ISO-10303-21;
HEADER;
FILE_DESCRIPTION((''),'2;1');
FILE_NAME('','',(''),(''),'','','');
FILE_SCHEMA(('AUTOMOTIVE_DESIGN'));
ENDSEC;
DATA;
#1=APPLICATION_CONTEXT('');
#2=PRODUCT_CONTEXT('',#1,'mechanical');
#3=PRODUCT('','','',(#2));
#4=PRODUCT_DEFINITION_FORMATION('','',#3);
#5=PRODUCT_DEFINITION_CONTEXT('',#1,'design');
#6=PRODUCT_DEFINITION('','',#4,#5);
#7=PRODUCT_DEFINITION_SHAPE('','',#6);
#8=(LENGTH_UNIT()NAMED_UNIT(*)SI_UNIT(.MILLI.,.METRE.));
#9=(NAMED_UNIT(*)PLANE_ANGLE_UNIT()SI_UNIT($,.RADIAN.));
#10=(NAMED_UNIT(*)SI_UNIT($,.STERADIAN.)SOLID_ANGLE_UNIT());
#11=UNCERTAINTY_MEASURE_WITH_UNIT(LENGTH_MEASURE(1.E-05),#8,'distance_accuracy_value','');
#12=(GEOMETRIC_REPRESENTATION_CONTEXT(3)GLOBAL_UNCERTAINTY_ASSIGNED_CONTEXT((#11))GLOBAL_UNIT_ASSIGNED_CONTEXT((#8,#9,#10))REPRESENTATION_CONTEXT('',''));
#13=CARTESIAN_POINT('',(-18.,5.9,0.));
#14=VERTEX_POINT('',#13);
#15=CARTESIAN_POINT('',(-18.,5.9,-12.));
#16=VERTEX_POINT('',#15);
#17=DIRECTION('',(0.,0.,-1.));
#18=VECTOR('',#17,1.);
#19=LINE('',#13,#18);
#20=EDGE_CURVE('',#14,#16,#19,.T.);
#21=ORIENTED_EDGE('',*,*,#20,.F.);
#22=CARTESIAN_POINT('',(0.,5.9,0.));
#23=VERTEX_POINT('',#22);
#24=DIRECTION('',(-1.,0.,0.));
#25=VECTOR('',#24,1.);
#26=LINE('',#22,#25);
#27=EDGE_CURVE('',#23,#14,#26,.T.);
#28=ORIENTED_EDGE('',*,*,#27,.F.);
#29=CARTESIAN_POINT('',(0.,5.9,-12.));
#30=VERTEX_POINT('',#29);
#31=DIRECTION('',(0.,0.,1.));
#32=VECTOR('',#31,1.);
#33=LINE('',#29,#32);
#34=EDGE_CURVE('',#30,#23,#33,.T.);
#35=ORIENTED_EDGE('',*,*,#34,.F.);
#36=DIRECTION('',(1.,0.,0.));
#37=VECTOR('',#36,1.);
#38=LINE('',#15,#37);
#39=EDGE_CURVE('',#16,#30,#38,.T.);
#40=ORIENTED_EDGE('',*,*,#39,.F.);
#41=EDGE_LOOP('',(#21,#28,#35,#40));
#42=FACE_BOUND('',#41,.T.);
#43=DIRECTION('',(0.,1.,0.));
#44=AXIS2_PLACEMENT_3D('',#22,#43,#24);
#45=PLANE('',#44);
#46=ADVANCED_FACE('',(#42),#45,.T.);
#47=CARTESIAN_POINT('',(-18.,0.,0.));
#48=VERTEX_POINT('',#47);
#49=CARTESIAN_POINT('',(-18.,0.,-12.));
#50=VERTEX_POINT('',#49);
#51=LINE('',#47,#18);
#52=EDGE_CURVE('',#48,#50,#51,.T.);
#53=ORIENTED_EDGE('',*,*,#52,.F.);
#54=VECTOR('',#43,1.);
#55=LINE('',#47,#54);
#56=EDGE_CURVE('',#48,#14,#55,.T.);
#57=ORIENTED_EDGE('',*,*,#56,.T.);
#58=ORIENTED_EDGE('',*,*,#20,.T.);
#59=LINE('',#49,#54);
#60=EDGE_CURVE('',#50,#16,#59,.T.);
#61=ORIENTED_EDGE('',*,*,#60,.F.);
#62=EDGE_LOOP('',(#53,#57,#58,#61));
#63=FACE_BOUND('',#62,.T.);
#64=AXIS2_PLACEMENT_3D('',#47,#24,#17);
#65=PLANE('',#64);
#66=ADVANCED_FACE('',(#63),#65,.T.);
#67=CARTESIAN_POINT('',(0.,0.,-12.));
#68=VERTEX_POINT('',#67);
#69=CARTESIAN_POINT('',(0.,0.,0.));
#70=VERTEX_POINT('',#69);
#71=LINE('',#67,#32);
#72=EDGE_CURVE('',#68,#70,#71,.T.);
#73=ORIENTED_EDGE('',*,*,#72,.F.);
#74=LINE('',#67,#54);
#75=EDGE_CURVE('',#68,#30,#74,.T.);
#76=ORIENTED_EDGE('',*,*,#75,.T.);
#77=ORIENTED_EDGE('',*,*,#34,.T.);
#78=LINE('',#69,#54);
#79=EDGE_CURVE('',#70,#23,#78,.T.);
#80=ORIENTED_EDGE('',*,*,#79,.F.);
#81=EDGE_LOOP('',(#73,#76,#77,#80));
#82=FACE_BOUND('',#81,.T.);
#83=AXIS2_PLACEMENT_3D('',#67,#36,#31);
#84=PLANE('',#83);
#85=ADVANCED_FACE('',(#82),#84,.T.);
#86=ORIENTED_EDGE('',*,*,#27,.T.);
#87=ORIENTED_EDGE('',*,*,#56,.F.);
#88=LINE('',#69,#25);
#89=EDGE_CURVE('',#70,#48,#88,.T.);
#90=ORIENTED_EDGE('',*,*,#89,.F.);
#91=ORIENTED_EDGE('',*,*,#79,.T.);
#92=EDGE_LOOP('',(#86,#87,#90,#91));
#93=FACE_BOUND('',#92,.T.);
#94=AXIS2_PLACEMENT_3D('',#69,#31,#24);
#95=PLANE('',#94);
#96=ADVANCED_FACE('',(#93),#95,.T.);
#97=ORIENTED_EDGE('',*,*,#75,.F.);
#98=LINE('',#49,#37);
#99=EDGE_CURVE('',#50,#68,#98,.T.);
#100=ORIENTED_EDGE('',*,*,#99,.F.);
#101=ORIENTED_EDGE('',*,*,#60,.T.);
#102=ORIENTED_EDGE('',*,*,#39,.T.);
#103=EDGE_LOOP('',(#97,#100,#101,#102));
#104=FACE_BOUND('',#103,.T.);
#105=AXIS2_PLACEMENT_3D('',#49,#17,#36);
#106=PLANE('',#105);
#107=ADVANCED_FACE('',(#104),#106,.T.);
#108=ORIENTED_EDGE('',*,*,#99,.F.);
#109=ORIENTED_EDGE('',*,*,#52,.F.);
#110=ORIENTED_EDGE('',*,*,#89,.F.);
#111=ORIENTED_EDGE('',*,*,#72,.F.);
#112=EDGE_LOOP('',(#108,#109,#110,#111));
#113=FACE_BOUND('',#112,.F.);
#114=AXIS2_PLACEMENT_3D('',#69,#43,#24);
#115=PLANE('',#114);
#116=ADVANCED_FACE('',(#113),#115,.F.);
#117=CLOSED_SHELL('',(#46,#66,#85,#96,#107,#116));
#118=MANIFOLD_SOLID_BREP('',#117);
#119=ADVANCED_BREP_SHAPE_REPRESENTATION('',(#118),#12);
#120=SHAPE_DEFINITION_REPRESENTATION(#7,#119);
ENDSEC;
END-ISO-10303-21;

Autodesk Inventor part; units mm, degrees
ref_plane "YZ Plane" through (0, 0, 0) normal (1, 0, 0) x (0, 1, 0)
ref_plane "XZ Plane" through (0, 0, 0) normal (0, 1, 0) x (-1, 0, 0)
ref_plane "XY Plane" through (0, 0, 0) normal (0, 0, 1) x (1, 0, 0)
sketch "Sketch1" plane through (0, 0, 0) normal (0, 1, 0) x (-1, 0, 0)
  line L0 (0, 0) -> (18, 0)
  line L1 (18, 0) -> (18, -12)
  line L2 (18, -12) -> (0, -12)
  line L3 (0, -12) -> (0, 0)
  dimension "d0" = 18
  dimension "d1" = 12
extrude "Extrusion1" add sketch "Sketch1" along normal blind 5.9
properties part number "shim_6mm"
